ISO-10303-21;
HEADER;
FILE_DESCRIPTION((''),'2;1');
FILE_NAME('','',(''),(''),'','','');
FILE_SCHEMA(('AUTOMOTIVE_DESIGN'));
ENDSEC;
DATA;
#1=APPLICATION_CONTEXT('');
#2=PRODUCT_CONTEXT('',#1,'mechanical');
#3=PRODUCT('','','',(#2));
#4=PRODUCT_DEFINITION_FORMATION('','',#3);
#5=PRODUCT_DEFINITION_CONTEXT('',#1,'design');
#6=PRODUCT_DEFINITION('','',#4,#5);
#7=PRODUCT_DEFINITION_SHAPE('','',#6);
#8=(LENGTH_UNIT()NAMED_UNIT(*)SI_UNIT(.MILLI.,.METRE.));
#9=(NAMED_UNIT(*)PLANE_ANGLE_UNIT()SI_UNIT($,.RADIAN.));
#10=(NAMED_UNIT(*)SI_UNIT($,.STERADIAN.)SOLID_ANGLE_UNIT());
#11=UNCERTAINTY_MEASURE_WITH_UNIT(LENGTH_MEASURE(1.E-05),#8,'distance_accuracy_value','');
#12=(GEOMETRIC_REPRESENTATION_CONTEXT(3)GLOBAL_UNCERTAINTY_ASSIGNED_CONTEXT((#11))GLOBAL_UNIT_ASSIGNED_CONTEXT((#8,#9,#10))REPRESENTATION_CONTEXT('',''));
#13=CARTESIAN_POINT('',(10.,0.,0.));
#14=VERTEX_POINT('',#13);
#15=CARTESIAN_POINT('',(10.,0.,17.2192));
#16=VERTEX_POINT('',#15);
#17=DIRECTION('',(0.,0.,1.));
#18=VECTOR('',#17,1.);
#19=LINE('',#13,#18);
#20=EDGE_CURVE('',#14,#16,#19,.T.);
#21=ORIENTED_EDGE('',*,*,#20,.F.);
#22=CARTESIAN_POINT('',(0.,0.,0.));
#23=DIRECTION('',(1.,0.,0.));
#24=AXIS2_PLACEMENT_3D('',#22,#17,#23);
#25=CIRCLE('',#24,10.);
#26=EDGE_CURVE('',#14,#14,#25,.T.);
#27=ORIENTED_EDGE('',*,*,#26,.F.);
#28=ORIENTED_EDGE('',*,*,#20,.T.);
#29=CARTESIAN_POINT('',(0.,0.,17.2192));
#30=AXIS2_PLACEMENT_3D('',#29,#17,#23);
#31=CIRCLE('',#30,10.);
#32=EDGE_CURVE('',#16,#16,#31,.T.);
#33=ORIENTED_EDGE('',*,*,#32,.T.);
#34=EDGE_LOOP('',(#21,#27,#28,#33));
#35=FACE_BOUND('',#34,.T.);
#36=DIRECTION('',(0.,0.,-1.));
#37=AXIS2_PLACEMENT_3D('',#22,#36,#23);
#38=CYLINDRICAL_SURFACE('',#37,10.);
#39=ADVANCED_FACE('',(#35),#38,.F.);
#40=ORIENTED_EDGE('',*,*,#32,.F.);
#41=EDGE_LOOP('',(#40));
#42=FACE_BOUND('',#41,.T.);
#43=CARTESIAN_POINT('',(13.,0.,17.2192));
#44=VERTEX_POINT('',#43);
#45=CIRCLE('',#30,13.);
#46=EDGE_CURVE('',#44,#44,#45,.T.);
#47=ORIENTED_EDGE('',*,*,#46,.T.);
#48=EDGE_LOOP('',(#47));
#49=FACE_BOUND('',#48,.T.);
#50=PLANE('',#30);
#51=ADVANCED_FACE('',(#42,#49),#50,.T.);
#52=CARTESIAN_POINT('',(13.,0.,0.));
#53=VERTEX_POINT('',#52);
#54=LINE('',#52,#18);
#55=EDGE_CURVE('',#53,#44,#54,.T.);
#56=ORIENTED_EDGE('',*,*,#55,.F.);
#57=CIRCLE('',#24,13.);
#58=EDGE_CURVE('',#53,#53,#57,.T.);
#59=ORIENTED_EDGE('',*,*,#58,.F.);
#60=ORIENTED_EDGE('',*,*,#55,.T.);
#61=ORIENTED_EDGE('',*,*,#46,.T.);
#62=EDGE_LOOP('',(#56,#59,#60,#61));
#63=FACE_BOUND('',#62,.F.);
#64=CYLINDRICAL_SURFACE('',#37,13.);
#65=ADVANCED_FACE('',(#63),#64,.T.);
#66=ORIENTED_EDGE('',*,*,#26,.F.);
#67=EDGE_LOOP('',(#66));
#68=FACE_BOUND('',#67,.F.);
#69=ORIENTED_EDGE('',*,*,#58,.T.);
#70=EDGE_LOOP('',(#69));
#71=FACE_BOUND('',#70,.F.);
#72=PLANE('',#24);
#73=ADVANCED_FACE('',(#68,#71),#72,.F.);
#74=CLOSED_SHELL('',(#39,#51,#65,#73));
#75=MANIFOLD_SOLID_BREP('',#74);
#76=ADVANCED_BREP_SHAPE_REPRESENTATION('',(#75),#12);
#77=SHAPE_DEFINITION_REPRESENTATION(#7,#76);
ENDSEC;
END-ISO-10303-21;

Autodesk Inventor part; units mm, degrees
ref_plane "YZ Plane" through (0, 0, 0) normal (1, 0, 0) x (0, 1, 0)
ref_plane "XZ Plane" through (0, 0, 0) normal (0, 1, 0) x (-1, 0, 0)
ref_plane "РабПлоскость1" through (0, 0, 0) normal (0, 0, 1) x (1, 0, 0)
sketch "Эскиз1" plane through (0, 0, 0) normal (0, 0, 1) x (1, 0, 0)
  circle A0 centre (0, 0) radius 10
  circle A1 centre (0, 0) radius 13
  dimension "d0" = 20
  dimension "d1" = 26
ref_plane "РабПлоскость2" through (-114.5188, -114.5187, 17.2192) normal (0, 0, -1) x (0.437, 0.8995, 0)
extrude "Выдавливание1" add sketch "Эскиз1" along normal up to surface (17.2192 mm away)
properties part number "стакан"
